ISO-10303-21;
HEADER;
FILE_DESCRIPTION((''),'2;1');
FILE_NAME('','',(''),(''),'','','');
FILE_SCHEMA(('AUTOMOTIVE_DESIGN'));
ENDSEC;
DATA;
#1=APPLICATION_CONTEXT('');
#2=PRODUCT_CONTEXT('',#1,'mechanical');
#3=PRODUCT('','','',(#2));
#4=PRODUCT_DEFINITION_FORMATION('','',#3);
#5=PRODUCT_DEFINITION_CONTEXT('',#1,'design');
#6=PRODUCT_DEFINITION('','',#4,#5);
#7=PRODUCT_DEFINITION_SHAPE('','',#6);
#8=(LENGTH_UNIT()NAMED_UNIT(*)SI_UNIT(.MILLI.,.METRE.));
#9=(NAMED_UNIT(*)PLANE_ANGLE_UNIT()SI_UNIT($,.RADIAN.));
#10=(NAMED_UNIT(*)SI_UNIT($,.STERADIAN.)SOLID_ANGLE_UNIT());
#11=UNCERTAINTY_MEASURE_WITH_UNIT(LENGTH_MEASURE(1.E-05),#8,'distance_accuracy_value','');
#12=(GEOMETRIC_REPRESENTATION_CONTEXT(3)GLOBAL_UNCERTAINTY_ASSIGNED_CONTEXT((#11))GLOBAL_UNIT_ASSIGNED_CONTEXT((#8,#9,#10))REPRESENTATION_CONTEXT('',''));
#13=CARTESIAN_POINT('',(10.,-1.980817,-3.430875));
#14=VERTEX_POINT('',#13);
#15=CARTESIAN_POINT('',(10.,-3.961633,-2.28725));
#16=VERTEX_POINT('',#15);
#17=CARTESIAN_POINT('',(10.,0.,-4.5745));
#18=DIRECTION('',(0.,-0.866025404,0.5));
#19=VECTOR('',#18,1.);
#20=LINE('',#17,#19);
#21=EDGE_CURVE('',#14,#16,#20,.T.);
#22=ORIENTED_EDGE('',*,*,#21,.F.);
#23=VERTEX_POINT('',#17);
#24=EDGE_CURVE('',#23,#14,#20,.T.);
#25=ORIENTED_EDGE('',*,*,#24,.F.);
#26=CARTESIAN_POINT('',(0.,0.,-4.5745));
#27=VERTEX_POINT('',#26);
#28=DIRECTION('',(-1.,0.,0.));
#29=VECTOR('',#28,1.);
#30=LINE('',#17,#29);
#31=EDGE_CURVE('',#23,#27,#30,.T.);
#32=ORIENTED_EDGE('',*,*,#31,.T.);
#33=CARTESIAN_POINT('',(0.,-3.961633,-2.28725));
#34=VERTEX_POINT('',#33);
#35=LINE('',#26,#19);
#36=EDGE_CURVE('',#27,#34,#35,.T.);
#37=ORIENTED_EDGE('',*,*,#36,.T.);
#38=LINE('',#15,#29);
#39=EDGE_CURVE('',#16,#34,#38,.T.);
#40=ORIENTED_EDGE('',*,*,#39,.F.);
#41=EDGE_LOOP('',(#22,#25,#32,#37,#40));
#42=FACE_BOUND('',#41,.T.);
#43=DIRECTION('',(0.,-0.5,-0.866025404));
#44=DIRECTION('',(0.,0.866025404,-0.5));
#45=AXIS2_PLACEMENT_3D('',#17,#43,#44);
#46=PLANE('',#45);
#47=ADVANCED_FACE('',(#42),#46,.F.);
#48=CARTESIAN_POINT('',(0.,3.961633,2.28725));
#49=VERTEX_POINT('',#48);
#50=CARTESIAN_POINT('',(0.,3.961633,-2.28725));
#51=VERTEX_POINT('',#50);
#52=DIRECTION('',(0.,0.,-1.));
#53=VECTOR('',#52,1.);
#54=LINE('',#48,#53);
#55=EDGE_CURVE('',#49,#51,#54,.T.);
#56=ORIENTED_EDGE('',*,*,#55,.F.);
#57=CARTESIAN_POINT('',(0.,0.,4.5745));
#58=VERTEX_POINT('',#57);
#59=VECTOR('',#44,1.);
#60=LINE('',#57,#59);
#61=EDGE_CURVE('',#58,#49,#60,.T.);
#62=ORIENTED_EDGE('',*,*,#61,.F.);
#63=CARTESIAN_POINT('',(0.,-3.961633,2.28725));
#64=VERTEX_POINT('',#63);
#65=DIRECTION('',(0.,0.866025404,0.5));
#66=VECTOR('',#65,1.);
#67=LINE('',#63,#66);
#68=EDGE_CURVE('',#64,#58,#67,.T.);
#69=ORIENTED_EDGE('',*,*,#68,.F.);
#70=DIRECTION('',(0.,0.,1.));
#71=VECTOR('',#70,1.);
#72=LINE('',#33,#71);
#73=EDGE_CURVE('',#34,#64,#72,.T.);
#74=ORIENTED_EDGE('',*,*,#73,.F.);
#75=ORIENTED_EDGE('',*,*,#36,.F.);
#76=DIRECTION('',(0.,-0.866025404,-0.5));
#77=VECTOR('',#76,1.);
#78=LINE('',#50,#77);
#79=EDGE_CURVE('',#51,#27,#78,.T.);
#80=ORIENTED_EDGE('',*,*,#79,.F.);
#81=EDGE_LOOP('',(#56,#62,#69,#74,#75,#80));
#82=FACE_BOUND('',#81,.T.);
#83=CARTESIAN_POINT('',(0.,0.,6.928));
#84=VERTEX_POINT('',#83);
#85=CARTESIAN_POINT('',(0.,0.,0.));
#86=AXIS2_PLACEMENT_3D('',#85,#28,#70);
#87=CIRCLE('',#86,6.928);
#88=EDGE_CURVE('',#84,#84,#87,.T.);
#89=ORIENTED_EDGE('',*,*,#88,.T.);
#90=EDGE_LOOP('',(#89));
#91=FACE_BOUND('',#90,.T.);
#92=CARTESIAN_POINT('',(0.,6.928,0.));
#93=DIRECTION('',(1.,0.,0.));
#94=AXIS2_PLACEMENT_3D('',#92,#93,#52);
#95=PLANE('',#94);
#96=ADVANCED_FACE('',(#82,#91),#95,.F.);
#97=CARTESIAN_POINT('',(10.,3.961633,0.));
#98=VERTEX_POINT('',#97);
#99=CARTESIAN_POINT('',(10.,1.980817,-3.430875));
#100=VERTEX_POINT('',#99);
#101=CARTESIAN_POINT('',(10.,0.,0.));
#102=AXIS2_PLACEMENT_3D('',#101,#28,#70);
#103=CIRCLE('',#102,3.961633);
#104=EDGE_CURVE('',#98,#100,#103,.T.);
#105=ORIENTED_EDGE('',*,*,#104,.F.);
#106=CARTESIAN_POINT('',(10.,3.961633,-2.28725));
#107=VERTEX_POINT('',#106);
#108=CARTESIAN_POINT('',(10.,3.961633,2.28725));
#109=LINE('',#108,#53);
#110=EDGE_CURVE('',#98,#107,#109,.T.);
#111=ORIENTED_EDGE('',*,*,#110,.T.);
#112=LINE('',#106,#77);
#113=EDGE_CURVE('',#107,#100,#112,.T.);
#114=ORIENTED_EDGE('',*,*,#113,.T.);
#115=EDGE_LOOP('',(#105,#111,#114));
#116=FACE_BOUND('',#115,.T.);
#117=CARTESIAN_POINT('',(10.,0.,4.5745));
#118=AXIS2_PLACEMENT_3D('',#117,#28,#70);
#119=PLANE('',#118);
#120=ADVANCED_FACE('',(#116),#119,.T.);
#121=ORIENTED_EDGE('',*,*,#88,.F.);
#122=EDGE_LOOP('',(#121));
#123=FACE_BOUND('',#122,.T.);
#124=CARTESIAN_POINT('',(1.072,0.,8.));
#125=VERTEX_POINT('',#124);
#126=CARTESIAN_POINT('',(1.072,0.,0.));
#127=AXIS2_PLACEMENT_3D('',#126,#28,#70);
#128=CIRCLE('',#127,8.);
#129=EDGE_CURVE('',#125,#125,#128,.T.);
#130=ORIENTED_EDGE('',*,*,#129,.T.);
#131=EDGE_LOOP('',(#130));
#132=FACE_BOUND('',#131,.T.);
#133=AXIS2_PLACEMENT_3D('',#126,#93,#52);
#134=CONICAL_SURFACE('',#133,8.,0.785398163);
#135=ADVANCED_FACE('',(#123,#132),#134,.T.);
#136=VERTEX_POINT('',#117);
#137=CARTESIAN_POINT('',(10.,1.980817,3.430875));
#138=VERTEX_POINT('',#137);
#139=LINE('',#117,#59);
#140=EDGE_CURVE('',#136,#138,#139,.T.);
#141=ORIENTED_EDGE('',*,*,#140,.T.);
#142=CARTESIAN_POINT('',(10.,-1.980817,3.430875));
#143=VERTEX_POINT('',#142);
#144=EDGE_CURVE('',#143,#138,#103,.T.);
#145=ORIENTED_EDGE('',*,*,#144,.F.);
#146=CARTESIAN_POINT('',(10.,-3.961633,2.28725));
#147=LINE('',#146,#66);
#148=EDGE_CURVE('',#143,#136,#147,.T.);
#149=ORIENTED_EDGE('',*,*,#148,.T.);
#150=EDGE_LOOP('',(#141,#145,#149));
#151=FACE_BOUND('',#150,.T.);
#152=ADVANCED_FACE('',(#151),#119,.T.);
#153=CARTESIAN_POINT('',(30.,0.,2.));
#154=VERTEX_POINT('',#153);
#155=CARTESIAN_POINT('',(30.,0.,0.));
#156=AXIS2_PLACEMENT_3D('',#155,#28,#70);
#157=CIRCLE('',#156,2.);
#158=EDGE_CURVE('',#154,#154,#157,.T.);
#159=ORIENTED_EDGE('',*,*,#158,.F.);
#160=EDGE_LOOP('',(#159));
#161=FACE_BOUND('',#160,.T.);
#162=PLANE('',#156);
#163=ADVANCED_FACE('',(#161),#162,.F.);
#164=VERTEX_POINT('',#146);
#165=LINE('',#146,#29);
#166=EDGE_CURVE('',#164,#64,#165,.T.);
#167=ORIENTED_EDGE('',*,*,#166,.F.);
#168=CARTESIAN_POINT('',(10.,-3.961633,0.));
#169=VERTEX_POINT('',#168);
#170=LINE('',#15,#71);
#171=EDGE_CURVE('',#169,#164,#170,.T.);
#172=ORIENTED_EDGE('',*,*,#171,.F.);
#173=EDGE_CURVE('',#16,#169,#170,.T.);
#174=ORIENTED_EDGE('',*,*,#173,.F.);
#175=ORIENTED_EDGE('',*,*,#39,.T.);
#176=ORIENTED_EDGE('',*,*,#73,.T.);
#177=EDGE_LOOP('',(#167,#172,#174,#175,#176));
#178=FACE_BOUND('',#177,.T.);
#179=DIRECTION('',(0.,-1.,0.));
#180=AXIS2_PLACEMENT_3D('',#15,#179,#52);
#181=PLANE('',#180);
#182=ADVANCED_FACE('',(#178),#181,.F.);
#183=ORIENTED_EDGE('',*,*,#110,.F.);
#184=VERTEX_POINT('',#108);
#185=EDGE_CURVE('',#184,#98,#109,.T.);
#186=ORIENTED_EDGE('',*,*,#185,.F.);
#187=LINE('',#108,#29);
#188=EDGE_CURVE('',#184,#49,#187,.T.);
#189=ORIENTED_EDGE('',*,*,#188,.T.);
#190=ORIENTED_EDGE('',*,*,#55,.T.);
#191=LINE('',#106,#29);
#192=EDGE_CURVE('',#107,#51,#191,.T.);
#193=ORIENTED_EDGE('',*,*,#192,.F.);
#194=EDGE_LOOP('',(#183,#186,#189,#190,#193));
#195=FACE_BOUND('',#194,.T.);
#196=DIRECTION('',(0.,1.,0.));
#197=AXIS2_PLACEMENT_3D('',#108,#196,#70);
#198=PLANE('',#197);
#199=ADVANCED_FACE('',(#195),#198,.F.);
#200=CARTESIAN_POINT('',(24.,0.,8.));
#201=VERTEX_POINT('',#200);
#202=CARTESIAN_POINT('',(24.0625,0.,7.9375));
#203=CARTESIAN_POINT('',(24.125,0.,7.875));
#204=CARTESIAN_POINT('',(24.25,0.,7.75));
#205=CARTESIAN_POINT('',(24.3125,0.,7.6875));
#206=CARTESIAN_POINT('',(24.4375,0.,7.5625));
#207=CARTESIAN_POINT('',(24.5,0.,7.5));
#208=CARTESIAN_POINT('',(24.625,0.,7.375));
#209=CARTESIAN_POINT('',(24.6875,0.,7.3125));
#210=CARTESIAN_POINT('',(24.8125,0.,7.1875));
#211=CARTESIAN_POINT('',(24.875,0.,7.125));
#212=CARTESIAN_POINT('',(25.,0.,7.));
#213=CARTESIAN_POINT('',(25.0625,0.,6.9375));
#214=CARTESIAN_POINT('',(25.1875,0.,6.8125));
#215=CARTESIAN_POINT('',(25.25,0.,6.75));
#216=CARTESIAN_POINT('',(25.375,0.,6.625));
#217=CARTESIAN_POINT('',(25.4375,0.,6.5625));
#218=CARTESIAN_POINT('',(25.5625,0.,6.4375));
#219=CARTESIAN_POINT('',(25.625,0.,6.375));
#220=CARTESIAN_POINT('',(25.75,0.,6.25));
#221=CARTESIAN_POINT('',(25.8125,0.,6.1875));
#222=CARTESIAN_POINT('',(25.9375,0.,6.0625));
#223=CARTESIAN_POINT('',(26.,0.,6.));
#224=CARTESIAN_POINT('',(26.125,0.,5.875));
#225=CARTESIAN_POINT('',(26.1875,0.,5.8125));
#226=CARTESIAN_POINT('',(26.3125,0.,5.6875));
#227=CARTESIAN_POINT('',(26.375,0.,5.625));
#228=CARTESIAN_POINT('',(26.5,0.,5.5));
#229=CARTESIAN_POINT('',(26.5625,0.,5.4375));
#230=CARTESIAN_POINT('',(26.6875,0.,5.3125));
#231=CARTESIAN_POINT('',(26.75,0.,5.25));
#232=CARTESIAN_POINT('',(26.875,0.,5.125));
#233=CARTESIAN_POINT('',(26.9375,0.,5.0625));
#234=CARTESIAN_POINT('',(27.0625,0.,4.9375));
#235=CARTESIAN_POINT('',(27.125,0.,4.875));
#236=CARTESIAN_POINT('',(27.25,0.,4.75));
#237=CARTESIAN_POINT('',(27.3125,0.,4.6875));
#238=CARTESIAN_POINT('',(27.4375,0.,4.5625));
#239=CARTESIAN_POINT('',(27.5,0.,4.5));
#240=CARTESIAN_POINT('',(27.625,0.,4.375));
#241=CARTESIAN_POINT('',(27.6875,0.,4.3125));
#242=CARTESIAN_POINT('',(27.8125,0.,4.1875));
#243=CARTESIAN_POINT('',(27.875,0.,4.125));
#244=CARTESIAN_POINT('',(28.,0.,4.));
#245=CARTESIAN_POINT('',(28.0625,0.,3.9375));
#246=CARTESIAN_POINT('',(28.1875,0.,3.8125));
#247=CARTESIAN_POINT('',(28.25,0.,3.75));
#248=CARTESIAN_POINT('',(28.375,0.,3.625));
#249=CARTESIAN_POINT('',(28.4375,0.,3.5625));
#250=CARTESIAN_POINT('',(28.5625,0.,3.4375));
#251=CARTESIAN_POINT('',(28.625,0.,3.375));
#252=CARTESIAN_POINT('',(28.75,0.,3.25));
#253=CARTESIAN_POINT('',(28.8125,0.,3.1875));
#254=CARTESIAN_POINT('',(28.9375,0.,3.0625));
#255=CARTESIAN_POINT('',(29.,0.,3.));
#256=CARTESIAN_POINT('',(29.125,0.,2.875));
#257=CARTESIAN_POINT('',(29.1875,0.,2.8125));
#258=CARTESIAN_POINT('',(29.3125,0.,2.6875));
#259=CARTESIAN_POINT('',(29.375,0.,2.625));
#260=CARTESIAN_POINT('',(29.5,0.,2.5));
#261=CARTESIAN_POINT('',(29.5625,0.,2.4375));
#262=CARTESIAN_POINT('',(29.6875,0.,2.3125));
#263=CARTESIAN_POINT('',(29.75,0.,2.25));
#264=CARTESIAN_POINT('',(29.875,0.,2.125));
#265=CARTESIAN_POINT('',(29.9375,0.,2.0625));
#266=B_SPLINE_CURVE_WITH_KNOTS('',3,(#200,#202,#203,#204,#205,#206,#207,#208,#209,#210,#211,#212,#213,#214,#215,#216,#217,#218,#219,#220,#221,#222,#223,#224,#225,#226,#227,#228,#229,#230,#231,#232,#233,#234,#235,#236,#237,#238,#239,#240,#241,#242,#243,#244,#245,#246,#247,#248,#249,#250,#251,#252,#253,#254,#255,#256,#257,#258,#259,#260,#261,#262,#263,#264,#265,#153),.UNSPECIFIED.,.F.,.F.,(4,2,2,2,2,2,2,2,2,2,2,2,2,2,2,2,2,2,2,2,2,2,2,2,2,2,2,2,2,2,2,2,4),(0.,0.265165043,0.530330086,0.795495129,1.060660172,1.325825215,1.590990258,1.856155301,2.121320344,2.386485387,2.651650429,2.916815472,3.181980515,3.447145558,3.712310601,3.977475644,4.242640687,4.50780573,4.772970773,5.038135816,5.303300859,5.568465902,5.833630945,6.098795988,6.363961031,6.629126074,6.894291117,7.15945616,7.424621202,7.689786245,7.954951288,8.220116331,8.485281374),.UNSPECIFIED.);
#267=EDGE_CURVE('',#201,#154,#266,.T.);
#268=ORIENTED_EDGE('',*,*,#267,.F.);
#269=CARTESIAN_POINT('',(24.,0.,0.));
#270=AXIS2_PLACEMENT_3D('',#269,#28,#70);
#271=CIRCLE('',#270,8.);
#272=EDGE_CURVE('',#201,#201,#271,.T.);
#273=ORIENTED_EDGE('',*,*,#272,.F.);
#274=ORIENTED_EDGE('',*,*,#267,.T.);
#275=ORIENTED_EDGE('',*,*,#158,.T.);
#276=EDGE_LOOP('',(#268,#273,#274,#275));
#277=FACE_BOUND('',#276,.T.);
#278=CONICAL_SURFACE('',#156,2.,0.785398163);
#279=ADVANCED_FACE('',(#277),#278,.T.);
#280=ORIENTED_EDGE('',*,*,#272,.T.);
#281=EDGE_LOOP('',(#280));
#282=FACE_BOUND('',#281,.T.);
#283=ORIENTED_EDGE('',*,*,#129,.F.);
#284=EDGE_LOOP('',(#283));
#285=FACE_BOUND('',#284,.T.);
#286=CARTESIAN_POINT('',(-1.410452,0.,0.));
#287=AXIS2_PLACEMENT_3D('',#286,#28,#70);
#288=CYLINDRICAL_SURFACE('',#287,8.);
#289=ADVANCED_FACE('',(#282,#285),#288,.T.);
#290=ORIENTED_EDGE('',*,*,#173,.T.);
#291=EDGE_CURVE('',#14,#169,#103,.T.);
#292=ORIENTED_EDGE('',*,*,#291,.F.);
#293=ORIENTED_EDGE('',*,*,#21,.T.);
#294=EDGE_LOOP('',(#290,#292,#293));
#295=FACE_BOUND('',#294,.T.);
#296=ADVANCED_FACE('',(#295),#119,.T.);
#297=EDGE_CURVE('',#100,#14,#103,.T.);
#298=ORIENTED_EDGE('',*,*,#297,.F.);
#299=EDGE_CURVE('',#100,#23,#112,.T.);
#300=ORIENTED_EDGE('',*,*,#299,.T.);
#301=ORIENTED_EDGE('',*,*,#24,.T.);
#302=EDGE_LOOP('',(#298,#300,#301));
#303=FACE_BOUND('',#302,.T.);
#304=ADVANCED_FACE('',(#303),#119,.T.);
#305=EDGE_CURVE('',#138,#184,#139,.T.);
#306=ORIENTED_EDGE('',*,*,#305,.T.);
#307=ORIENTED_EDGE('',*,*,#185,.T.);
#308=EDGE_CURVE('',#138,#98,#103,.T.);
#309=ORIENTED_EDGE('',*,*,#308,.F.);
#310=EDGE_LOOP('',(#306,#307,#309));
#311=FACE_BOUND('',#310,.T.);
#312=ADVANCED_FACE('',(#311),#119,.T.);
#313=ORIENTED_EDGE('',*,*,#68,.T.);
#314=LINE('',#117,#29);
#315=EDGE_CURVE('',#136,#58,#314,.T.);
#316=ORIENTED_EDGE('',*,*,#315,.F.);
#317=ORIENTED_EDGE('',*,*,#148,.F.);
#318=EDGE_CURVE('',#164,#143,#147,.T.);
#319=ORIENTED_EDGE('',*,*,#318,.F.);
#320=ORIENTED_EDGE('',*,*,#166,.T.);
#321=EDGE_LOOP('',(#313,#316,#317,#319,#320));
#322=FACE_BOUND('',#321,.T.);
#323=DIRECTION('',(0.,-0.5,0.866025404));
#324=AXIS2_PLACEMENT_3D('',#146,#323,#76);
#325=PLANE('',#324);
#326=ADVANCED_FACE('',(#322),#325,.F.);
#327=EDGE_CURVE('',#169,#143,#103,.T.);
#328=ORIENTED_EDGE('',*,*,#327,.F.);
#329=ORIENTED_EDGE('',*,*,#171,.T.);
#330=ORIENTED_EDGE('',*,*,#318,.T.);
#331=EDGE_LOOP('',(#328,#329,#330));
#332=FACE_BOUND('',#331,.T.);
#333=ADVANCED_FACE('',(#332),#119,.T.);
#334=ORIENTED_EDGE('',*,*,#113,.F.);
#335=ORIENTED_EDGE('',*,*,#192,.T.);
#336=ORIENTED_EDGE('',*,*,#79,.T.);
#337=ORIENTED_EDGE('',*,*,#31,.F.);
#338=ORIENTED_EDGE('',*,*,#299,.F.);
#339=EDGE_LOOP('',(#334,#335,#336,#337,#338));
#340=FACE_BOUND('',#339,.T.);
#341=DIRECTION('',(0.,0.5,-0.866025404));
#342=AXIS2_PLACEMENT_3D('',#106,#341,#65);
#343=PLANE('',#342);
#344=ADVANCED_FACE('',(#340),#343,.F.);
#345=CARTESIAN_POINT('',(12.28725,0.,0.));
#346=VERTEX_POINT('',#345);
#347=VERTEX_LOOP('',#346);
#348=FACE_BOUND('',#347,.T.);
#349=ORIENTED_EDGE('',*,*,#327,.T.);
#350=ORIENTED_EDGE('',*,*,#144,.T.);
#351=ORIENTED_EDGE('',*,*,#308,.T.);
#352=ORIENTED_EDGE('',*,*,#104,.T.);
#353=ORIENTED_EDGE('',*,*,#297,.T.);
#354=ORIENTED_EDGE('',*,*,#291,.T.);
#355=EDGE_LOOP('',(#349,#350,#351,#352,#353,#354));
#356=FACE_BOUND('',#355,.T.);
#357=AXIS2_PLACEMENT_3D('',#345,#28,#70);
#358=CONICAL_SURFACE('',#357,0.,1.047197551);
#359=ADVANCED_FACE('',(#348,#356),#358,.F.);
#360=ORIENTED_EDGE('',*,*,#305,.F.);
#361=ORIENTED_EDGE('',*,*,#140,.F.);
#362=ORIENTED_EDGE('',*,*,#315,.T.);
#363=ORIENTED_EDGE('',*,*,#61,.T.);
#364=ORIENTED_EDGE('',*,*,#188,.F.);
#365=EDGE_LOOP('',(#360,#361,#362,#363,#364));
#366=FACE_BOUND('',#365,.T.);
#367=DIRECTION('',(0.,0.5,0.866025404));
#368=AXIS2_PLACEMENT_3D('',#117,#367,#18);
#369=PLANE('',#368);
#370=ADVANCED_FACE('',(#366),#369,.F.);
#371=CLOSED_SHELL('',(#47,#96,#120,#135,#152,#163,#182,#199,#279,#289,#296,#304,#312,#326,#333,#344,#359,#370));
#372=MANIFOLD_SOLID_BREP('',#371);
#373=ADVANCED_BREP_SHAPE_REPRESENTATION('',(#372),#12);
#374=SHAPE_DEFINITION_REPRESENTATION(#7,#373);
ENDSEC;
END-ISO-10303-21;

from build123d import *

# Parameters (mm, degrees)
CUT_EXTRUDE_1_DEPTH = 10


with BuildPart() as part:
    # 草图1 → Revolve 543 (revolve)
    with BuildSketch(Plane.XY, mode=Mode.PRIVATE) as revolve_543_sk:
        Polygon((0, 0), (30, 0), (30, 2), (24, 8), (1.072, 8), (0, 6.928), align=None)
    revolve(revolve_543_sk.sketch.rotate(Axis((-1.4104518, 0, 0), (1, 0, 0)), 90), axis=Axis((-1.4104518, 0, 0), (1, 0, 0)))

    # 草图2 → 切除-拉伸1 (cut)
    with BuildSketch(Plane.ZY):
        Polygon((4.5745, 0), (2.28725, 3.96163321), (-2.28725, 3.96163321), (-4.5745, 0), (-2.28725, -3.96163321), (2.28725, -3.96163321), align=None)
    extrude(amount=-CUT_EXTRUDE_1_DEPTH, mode=Mode.SUBTRACT)

    # 草图3 → 切除-旋转1 (revolve, cut)
    with BuildSketch(Plane.XY, mode=Mode.PRIVATE) as cut_revolve_1_sk:
        Polygon((10, 3.96163321), (12.28725, 0), (10, 0), align=None)
    revolve(cut_revolve_1_sk.sketch.rotate(Axis((-0.121283255, 0, 0), (1, 0, 0)), 90), axis=Axis((-0.121283255, 0, 0), (1, 0, 0)), mode=Mode.SUBTRACT)


solid = part.part
